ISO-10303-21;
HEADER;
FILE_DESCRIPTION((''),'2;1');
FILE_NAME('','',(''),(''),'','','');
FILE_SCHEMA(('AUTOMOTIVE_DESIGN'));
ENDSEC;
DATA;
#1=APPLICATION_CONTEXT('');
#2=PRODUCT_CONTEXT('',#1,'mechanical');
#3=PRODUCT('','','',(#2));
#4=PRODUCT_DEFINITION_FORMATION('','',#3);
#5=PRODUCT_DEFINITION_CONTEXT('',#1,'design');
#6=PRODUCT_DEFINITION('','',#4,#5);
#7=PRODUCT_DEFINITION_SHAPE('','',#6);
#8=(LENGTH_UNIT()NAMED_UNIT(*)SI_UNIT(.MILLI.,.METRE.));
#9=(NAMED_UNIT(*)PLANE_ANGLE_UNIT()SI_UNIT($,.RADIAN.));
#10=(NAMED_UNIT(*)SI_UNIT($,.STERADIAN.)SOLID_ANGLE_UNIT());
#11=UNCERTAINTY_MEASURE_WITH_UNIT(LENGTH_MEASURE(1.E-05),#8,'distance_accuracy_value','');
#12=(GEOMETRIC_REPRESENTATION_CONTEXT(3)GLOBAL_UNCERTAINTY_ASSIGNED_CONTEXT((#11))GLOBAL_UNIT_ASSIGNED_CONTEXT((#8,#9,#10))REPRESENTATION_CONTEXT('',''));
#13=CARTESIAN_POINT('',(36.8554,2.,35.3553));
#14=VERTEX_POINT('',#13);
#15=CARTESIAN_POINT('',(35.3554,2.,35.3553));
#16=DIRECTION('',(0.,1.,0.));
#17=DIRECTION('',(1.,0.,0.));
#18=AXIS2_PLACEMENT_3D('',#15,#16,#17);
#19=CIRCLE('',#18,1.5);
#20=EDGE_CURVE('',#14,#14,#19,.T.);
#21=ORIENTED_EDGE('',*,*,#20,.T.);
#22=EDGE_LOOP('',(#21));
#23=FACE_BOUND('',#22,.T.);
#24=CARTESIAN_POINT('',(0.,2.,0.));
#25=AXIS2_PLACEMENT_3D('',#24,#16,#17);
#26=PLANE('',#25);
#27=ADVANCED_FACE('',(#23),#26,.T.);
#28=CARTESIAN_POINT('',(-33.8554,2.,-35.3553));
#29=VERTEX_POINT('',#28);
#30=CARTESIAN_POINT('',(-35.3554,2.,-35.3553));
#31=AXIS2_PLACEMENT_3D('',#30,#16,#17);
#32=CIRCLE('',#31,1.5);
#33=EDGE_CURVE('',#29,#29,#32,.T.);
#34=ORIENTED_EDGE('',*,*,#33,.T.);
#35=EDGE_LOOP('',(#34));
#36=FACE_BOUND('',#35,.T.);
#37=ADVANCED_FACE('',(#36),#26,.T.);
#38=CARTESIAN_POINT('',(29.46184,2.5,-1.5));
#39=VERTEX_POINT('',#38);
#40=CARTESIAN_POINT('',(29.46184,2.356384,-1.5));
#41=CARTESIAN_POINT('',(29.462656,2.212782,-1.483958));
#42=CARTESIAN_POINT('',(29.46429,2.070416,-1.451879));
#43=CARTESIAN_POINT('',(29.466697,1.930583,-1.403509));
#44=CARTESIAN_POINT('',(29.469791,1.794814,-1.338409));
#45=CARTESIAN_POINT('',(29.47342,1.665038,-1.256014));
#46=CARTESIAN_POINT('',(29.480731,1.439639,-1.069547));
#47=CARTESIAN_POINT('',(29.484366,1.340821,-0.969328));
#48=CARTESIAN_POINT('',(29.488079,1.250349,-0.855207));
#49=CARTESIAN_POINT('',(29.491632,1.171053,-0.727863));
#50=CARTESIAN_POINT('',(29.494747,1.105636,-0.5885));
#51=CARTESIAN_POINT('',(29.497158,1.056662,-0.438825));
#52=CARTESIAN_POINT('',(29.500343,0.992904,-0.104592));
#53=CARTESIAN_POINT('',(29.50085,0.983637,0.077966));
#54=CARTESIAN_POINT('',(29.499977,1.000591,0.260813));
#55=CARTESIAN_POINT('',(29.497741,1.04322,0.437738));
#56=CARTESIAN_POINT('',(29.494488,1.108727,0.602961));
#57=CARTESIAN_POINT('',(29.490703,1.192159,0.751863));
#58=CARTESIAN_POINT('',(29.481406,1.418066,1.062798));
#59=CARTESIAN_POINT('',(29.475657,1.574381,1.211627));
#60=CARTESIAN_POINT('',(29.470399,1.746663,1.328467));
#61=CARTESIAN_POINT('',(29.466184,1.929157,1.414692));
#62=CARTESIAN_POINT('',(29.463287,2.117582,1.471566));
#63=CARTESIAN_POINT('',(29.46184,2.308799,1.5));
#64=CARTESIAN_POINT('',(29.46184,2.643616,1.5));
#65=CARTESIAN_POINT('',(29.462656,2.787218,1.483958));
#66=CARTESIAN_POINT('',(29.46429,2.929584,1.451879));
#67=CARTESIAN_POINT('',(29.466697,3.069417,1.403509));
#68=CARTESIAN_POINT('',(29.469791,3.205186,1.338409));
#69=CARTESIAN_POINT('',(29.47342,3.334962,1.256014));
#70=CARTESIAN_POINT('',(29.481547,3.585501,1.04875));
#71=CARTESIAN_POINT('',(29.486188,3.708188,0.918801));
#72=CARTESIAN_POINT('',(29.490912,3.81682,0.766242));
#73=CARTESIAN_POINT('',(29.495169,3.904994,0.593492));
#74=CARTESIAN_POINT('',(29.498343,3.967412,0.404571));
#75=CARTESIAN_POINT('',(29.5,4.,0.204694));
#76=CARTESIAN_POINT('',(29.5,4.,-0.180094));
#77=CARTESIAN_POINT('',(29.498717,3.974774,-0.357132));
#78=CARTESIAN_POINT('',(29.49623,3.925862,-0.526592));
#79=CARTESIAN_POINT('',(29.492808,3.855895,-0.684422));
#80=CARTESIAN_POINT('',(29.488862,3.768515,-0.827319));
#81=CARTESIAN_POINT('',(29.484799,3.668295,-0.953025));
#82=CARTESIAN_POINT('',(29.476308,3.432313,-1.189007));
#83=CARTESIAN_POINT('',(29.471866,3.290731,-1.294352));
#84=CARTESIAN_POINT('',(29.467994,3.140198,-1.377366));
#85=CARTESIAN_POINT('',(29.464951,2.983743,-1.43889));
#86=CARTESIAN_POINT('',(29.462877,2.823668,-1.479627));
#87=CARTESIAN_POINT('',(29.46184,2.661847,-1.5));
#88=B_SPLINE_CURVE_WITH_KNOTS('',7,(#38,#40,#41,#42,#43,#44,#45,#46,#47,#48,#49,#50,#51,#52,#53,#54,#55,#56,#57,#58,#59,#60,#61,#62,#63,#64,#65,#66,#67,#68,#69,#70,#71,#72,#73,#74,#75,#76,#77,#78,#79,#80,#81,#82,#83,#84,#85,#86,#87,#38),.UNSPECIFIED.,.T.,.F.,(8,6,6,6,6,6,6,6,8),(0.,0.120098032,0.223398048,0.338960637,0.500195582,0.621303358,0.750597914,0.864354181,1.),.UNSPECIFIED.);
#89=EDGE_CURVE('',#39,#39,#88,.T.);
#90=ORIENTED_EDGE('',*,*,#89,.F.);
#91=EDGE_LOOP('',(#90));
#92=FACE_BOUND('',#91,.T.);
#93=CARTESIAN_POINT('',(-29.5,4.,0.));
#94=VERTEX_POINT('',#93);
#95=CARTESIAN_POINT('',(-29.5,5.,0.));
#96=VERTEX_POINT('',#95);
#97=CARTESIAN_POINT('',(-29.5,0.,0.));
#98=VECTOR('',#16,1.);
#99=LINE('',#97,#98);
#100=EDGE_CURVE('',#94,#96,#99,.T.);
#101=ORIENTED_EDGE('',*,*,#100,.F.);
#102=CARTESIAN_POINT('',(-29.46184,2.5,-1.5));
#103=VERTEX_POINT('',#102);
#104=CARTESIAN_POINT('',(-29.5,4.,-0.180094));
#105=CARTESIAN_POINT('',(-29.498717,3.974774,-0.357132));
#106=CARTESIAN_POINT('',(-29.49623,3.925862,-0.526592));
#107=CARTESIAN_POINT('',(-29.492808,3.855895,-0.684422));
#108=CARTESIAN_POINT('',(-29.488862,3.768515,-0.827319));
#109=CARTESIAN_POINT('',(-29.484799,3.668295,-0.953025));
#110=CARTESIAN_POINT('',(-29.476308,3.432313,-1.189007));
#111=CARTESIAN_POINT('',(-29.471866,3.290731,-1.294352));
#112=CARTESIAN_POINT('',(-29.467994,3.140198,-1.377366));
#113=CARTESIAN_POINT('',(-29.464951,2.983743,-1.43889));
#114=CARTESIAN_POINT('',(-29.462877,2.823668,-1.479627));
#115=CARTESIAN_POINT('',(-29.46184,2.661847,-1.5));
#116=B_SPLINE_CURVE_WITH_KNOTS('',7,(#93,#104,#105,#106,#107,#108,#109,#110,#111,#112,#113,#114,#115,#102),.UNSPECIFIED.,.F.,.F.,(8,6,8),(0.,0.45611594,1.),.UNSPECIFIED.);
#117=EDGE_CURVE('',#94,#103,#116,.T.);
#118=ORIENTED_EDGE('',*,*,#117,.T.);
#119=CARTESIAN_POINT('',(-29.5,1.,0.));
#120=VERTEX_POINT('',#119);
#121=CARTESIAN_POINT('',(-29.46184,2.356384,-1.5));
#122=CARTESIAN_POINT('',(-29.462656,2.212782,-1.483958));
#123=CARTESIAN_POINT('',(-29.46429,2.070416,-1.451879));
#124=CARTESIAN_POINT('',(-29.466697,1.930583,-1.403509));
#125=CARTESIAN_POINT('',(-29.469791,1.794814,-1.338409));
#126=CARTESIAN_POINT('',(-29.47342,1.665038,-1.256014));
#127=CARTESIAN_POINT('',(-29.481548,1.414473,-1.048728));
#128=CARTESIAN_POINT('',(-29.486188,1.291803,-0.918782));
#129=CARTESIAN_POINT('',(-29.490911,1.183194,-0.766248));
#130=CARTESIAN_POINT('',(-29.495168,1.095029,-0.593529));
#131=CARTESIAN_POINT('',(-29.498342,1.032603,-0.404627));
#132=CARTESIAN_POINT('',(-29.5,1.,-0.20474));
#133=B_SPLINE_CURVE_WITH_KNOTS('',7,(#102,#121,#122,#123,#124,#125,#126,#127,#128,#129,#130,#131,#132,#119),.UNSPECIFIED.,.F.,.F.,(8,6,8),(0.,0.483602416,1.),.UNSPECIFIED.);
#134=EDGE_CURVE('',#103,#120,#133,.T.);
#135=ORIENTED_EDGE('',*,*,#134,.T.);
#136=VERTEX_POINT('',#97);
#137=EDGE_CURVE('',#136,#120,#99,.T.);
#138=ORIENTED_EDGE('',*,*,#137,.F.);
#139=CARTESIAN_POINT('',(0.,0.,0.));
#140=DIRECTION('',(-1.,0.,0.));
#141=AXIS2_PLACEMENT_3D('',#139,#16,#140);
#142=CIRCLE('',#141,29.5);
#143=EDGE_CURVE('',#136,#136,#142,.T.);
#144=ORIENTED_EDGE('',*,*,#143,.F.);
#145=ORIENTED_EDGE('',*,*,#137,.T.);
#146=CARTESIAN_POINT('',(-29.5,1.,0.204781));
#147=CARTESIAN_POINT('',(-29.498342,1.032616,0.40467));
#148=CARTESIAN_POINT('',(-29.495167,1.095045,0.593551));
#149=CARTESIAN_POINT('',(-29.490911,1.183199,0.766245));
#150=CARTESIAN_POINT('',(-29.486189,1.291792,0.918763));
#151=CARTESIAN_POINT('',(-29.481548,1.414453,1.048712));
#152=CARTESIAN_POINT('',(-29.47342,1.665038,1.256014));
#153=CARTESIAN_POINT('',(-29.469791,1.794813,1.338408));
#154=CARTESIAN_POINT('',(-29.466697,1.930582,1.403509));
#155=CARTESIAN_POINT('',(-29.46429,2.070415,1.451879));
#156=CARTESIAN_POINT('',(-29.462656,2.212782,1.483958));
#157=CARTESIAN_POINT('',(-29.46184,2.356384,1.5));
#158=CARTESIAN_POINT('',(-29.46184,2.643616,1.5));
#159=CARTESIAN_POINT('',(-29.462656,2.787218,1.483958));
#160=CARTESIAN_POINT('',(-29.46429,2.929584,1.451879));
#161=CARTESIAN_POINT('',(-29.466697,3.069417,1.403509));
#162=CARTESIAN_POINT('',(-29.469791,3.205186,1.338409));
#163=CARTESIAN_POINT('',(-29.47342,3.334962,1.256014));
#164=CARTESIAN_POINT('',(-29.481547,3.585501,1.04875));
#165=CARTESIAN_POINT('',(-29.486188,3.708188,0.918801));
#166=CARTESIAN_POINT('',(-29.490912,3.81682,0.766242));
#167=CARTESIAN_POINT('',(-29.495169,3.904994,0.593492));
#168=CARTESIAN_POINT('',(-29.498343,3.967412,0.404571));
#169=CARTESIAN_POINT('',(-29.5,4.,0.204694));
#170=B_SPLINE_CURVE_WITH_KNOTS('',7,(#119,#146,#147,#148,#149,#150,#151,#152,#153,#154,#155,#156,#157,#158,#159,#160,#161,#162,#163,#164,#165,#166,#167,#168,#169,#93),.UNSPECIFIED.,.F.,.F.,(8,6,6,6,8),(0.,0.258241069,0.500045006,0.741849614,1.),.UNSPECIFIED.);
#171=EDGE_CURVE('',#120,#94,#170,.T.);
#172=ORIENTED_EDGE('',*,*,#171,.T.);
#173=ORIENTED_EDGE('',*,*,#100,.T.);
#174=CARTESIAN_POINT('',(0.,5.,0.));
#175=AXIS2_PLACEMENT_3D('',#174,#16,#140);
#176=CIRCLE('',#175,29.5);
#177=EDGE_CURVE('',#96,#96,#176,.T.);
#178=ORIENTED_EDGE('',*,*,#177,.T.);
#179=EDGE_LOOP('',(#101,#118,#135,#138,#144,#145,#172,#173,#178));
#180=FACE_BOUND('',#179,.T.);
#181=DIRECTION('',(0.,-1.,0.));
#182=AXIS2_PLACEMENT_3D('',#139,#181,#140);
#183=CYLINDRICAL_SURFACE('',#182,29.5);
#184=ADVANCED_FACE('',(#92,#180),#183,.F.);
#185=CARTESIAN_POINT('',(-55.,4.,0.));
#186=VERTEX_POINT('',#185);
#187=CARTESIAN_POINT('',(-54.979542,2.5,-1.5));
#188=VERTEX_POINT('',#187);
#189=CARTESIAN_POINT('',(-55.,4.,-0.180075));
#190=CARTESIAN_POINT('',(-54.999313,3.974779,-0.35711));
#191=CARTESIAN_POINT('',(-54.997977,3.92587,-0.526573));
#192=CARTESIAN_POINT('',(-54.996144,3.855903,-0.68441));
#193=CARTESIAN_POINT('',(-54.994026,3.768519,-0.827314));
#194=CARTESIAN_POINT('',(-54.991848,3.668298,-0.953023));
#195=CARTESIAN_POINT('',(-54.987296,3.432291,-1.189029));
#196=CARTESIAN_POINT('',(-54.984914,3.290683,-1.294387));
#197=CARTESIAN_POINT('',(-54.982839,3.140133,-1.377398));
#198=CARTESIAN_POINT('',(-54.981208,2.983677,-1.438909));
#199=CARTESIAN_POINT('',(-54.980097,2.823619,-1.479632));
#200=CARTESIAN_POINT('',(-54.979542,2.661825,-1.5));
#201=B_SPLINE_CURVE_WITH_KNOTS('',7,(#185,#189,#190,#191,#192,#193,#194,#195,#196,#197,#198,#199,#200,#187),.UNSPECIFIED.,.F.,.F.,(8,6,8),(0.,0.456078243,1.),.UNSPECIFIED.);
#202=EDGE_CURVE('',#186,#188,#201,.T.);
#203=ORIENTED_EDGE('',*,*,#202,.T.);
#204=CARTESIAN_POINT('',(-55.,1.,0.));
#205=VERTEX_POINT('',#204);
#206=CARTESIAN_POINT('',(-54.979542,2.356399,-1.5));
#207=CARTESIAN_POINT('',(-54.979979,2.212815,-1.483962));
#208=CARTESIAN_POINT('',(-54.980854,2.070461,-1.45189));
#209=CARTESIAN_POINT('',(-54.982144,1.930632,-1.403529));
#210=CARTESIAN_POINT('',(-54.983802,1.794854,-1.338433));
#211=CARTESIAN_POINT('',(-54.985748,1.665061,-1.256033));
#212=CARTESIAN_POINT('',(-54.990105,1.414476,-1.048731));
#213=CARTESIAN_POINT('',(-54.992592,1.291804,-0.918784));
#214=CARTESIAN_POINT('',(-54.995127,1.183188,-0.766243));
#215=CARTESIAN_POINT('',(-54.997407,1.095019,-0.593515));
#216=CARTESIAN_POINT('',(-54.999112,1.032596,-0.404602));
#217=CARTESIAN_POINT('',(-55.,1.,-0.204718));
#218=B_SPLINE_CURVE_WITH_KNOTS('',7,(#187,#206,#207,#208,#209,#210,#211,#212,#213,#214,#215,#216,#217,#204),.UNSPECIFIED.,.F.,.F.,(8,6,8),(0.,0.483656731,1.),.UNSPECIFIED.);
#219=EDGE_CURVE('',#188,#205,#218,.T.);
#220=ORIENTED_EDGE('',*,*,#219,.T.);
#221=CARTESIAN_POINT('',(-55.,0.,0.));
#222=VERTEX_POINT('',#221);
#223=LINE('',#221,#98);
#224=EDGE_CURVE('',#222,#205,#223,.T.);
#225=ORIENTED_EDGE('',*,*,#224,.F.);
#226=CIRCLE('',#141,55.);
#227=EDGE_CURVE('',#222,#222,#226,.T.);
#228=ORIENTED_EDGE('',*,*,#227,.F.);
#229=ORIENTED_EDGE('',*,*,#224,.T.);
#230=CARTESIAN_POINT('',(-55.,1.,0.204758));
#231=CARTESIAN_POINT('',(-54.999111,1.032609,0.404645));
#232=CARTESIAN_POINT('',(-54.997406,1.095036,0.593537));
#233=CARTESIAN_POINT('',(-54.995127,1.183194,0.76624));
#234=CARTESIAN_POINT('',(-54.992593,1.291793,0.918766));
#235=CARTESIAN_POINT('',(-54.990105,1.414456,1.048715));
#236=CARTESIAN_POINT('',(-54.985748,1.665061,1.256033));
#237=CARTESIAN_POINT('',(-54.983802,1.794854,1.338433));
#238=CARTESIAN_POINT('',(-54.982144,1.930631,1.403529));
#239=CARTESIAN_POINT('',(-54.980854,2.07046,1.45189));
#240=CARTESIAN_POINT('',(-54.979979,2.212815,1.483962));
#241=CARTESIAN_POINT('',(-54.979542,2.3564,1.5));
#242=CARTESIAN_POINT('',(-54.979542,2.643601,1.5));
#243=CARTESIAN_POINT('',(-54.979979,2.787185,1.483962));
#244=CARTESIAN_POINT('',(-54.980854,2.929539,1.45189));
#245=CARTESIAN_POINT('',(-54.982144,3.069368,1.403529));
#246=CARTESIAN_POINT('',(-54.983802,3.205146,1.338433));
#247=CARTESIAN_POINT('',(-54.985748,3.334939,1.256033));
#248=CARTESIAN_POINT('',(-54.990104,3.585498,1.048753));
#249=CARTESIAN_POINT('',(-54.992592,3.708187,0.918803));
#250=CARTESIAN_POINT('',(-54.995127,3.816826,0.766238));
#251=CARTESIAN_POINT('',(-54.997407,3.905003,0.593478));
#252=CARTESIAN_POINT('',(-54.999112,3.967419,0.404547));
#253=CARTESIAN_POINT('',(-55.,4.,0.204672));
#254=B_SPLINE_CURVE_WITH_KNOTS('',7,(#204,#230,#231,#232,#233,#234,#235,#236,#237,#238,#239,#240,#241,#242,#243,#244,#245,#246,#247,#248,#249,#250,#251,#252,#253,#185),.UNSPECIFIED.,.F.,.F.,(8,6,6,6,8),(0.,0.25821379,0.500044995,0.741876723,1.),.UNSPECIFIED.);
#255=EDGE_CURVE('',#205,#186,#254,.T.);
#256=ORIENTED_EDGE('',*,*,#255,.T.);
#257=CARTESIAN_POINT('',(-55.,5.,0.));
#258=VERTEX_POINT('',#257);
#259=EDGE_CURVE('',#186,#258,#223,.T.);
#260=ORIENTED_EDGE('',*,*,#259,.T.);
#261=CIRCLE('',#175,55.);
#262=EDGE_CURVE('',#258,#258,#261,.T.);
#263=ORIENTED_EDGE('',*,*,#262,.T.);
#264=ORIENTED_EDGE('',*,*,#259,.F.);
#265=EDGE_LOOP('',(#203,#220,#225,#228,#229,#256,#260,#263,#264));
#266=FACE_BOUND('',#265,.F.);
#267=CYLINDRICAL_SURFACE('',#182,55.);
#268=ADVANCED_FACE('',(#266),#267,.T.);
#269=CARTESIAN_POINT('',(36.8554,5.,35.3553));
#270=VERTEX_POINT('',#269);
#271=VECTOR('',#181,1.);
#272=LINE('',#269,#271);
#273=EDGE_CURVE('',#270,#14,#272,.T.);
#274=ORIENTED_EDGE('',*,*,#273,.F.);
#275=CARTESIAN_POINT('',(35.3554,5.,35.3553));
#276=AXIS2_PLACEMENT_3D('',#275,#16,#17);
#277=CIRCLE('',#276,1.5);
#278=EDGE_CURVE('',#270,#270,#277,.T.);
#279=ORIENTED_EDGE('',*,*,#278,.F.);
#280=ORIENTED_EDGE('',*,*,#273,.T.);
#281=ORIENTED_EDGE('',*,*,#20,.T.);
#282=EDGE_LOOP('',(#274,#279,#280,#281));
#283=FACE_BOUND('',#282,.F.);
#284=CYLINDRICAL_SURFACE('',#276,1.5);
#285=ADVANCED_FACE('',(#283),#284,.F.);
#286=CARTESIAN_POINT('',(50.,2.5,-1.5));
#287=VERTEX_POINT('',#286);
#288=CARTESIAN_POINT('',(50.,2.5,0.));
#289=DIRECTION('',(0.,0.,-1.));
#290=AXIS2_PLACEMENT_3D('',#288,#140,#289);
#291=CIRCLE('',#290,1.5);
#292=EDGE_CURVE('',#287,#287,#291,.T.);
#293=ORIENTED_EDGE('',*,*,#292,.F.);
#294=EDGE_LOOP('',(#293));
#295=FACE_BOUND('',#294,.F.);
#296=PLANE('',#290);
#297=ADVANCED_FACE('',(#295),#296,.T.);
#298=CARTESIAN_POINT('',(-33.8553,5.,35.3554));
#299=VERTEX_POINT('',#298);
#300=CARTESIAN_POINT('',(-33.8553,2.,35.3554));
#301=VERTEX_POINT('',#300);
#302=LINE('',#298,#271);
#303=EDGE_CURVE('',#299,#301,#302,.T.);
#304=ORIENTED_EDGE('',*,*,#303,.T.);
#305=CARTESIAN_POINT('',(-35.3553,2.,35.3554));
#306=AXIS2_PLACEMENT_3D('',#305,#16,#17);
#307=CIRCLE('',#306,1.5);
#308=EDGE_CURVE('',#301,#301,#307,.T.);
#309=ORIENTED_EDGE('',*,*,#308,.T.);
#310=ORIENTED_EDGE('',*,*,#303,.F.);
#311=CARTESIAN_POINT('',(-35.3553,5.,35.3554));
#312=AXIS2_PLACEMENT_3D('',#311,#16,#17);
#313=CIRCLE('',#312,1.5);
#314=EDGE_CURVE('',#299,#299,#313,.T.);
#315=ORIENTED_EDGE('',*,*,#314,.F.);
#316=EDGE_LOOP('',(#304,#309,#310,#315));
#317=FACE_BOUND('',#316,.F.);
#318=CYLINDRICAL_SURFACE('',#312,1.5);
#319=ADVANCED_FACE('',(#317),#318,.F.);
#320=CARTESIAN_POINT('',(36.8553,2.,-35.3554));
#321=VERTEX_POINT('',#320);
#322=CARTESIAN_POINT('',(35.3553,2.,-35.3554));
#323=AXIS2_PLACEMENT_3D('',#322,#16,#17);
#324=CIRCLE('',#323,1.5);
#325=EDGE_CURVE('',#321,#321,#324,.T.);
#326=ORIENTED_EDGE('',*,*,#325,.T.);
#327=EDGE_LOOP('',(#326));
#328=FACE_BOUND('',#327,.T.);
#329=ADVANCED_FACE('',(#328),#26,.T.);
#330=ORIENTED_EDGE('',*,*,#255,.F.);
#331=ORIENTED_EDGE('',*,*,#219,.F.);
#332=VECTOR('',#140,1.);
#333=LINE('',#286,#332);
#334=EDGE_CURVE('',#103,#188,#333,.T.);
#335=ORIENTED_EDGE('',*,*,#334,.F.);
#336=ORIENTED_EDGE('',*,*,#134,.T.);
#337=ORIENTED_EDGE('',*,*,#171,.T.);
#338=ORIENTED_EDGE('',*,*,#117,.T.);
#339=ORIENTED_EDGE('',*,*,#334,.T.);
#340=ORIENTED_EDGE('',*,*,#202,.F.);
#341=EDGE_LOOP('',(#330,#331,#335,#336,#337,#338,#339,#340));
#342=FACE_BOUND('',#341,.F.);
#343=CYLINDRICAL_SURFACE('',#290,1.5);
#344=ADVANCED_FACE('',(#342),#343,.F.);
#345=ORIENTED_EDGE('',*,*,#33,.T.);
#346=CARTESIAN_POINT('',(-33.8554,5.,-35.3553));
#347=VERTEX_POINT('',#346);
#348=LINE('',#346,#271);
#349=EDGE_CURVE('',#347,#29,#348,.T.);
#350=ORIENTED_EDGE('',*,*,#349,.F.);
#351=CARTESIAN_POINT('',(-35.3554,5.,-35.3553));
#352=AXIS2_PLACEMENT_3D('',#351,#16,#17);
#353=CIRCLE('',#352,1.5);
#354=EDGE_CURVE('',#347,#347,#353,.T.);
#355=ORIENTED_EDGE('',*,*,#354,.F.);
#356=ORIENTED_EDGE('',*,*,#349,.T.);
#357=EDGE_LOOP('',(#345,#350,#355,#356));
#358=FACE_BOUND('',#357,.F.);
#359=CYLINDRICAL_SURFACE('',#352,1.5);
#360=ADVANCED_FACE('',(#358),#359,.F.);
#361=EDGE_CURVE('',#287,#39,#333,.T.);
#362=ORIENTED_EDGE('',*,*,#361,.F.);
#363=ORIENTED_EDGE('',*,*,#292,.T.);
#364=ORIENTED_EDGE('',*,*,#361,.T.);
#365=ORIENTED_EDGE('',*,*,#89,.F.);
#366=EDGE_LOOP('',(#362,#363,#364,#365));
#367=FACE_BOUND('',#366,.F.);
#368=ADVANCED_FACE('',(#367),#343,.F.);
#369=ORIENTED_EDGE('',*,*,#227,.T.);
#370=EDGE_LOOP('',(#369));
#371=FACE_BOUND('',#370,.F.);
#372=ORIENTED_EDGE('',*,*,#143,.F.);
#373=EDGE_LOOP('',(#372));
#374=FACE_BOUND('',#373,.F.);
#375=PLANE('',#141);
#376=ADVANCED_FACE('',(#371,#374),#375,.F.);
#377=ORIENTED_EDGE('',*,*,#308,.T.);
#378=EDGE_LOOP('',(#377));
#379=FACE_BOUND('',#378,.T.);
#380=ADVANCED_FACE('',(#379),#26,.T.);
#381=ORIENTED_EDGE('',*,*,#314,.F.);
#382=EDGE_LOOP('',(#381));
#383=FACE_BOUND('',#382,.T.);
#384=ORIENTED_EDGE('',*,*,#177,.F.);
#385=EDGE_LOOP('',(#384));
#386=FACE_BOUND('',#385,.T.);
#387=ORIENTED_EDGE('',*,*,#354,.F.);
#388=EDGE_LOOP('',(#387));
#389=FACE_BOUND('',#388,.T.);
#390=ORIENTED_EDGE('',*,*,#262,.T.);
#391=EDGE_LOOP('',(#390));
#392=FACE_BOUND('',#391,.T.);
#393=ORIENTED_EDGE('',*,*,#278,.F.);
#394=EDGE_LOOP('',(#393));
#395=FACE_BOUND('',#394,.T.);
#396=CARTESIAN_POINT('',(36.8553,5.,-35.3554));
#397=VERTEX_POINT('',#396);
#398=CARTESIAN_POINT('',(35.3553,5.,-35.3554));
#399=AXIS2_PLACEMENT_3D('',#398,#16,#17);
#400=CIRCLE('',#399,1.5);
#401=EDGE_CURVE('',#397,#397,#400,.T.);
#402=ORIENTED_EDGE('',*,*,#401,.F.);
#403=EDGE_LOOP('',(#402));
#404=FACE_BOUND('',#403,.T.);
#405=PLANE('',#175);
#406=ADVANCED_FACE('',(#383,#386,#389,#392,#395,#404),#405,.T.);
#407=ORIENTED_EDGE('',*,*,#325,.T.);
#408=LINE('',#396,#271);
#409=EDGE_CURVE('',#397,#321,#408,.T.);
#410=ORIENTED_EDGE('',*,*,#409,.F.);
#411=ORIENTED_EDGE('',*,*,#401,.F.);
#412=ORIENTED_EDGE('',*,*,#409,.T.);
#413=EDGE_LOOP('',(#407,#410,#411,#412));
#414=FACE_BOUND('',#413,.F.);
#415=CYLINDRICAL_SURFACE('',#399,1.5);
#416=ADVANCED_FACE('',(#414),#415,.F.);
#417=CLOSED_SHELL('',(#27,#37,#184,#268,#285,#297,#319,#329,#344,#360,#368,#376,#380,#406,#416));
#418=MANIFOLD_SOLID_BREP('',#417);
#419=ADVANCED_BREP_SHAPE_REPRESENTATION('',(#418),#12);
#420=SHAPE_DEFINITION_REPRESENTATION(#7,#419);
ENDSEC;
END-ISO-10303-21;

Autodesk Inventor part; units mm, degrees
ref_plane "XZ Plane" through (0, 0, 0) normal (0, 1, 0) x (-1, 0, 0)
ref_plane "XY Plane" through (0, 0, 0) normal (0, 0, 1) x (1, 0, 0)
sketch "Sketch1" plane through (0, 0, 0) normal (0, 1, 0) x (-1, 0, 0)
  circle A0 centre (0, 0) radius 55
  circle A1 centre (0, 0) radius 29.5
  dimension "d0" = 110
  dimension "d1" = 59
extrude "Extrusion1" add sketch "Sketch1" along normal blind 5
ref_plane "Work Plane1" through (50, 0, 0) normal (1, 0, 0) x (0, 1, 0)
sketch "Sketch2" plane through (50, 0, 0) normal (1, 0, 0) x (0, 1, 0)
  circle A0 centre (2.5, 0) radius 1.5
  line L0 (5, -55) -> (5, 55) projected
  point P0 (0, 0)
  dimension "d5" = 3
  dimension "d6" = 2.5
hole "Hole1" at (50, 2.5, 0) direction (-1, 0, 0) diameter 3 end through all
sketch "Sketch6" plane through (0, 5, 0) normal (0, 1, 0) x (1, 0, 0)
  circle A0 centre (-35.3554, 35.3553) radius 1.5
  circle A1 centre (35.3553, 35.3554) radius 1.5
  circle A2 centre (35.3554, -35.3553) radius 1.5
  circle A3 centre (-35.3553, -35.3554) radius 1.5
  point P0 (0, 0)
  dimension "d30" = 3
  dimension "d31" = 50
  dimension "d32" = 3
  dimension "d33" = 50
  dimension "d34" = 90
  dimension "d35" = 35.3553
  dimension "d36" = 3
  dimension "d37" = 3
  dimension "d38" = 50
  dimension "d39" = 90
  dimension "d40" = 50
  dimension "d41" = 90
extrude "Extrusion6" cut sketch "Sketch6" against normal blind 3
properties part number "Mirror Support 2"
